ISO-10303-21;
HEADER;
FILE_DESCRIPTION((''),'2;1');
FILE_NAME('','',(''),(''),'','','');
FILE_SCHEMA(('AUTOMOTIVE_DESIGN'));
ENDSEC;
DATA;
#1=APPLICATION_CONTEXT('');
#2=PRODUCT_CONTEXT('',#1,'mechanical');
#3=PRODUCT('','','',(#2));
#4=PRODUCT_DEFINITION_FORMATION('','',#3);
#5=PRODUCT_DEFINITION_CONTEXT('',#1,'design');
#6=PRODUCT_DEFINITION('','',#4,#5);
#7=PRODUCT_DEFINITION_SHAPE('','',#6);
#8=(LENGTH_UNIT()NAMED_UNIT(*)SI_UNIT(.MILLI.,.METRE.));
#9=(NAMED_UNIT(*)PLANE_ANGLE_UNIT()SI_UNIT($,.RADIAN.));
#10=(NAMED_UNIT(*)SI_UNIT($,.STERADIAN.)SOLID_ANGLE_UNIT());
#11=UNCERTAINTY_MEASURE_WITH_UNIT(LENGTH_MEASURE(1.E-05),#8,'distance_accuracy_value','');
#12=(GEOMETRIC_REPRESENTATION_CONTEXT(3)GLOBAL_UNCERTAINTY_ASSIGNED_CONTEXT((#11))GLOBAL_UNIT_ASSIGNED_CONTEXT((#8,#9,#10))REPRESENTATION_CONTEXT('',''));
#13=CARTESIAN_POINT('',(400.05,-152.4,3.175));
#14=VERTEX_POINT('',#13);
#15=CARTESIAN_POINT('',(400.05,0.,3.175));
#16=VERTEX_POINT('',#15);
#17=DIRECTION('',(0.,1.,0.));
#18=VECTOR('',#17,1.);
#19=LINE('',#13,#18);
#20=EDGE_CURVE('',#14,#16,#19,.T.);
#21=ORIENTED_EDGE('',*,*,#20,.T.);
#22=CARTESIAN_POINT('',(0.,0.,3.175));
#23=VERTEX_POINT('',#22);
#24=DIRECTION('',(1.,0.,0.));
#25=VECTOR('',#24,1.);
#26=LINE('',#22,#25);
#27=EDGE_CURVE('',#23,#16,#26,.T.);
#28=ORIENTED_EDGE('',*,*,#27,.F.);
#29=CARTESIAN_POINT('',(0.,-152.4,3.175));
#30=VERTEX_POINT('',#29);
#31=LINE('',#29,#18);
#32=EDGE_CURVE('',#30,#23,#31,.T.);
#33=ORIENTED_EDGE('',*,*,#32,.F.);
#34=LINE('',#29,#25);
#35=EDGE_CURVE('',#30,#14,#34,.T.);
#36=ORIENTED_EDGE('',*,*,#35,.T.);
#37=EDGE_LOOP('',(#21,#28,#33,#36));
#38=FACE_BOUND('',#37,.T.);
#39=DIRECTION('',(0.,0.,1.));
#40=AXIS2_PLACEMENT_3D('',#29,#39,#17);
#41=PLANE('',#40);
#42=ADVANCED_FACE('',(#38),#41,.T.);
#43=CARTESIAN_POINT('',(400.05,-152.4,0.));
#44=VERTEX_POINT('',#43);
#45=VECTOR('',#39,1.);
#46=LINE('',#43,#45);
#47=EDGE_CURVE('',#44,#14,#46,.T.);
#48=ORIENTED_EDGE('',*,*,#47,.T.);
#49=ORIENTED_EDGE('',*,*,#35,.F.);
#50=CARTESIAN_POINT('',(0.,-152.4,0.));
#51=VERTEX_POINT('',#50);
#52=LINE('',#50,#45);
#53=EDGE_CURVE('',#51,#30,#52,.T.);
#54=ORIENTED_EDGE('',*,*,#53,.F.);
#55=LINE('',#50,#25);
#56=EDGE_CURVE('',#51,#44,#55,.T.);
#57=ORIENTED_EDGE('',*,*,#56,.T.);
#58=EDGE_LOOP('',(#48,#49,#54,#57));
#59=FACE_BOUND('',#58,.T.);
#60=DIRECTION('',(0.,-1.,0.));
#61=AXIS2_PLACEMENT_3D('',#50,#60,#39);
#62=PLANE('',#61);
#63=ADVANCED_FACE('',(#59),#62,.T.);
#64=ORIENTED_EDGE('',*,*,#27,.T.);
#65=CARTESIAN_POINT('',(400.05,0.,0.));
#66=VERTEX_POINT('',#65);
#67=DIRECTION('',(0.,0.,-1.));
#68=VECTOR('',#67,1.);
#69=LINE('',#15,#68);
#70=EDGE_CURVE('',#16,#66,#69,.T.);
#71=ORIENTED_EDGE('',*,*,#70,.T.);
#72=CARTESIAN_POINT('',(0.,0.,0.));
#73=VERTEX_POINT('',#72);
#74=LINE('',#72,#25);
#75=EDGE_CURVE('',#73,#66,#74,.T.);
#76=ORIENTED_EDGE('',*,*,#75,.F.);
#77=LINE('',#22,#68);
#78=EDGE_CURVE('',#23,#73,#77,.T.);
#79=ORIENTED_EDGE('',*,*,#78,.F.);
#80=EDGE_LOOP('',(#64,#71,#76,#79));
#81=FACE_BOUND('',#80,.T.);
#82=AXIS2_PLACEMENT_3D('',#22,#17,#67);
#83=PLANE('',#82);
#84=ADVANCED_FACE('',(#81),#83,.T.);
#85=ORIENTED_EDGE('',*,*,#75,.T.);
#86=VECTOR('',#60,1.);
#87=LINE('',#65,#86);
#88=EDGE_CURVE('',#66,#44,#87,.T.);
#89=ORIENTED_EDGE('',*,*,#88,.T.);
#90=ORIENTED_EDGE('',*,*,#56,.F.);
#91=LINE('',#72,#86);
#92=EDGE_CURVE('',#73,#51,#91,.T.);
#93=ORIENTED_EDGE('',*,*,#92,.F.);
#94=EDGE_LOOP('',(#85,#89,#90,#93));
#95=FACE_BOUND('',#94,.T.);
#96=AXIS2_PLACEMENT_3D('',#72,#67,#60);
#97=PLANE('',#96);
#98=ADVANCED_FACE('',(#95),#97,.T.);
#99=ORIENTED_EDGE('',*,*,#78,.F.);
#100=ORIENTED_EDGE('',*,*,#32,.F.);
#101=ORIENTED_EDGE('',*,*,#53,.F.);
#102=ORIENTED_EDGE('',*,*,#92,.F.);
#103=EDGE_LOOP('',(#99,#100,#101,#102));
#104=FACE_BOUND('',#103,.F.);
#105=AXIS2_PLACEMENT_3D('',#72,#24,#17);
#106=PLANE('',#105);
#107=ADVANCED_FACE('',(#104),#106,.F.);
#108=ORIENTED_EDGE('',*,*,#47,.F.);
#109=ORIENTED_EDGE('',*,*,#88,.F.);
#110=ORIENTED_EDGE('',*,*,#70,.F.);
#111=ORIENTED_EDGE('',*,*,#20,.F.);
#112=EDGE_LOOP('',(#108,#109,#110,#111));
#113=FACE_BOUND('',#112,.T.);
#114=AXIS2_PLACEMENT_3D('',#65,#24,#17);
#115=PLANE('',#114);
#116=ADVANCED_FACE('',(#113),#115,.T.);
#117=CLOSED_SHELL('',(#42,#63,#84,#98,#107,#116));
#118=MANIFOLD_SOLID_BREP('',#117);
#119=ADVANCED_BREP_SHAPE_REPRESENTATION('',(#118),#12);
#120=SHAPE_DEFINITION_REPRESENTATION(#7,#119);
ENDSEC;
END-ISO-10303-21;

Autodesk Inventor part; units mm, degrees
ref_plane "YZ Plane" through (0, 0, 0) normal (1, 0, 0) x (0, 1, 0)
ref_plane "XZ Plane" through (0, 0, 0) normal (0, 1, 0) x (-1, 0, 0)
ref_plane "XY Plane" through (0, 0, 0) normal (0, 0, 1) x (1, 0, 0)
sketch "Sketch1" plane through (0, 0, 0) normal (1, 0, 0) x (0, 1, 0)
  line L0 (0, 0) -> (-152.4, 0)
  line L1 (-152.4, 0) -> (-152.4, 3.175)
  line L2 (-152.4, 3.175) -> (0, 3.175)
  line L3 (0, 3.175) -> (0, 0)
  dimension "d0" = 152.4
  dimension "d1" = 3.175
extrude "Extrusion1" add sketch "Sketch1" along normal blind 400.05
properties part number "15102898-16-P-0215" material "Aluminum 6061"
